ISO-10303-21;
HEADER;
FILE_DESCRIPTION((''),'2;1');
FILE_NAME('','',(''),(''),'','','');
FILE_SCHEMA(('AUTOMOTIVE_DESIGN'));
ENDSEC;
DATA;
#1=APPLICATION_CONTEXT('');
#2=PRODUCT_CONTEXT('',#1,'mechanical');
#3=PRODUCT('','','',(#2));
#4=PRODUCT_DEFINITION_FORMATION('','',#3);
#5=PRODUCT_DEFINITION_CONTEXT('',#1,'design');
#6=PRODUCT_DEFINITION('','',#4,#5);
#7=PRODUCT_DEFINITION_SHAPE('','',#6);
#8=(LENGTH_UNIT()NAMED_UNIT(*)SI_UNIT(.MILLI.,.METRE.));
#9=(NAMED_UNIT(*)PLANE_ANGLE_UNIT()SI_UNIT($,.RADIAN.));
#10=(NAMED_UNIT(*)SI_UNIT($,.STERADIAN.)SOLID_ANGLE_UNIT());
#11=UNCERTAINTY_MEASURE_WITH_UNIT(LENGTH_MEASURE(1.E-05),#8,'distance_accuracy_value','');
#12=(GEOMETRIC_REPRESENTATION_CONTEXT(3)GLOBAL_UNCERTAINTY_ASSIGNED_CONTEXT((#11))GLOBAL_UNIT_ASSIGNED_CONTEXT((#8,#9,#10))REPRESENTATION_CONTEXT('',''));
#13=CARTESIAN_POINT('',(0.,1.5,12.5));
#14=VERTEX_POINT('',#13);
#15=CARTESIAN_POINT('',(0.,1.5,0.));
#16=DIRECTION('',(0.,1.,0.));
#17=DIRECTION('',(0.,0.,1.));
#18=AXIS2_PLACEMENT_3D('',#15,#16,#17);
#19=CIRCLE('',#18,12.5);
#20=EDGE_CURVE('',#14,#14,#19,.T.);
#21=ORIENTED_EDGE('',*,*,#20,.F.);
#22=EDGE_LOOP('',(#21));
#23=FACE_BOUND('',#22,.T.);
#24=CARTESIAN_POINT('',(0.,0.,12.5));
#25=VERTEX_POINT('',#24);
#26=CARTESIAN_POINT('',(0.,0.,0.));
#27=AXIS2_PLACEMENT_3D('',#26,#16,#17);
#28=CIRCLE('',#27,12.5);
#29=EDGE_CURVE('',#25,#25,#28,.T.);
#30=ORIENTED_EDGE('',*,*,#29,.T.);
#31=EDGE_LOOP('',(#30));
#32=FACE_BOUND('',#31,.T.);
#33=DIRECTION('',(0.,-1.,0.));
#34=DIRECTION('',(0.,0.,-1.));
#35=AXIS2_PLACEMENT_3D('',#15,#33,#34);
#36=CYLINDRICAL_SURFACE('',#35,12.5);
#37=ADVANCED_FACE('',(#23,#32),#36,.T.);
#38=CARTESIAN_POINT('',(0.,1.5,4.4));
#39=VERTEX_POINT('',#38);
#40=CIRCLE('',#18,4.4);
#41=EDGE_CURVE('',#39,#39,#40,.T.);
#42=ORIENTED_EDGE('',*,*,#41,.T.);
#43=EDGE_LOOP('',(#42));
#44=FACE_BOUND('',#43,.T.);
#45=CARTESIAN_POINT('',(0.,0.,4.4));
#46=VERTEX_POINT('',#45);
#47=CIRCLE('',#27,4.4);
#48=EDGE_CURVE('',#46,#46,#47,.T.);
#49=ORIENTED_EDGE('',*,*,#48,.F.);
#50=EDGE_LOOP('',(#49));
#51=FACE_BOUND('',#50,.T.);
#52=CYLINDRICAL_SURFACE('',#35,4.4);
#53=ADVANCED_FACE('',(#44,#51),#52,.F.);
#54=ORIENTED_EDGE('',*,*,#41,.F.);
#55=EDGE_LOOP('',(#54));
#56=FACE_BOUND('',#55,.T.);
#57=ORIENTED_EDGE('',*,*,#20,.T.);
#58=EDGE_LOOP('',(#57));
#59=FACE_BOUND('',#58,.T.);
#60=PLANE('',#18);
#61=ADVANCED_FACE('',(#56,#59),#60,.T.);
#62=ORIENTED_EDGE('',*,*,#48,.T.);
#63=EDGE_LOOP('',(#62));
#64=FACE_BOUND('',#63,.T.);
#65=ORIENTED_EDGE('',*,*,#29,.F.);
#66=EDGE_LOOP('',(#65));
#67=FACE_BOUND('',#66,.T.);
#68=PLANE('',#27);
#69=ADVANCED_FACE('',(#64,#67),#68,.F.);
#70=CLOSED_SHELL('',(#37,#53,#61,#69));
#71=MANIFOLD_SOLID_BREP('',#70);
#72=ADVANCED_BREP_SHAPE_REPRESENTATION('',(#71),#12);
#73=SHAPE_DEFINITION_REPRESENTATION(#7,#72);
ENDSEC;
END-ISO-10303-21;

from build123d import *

# Parameters (mm, degrees)
SKETCH1_R           = 12.5
SKETCH1_R_2         = 4.4
BOSS_EXTRUDE1_DEPTH = 1.5


with BuildPart() as part:
    # Sketch1 → Boss-Extrude1 (new body)
    with BuildSketch(Plane(origin=(0, 0, 0), x_dir=(1, 0, 0), z_dir=(0, 1, 0))):
        with Locations(Location((0, 0, 0), (0, 0, 270))):
            Circle(SKETCH1_R)
        with Locations(Location((0, 0, 0), (0, 0, 270))):
            Circle(SKETCH1_R_2, mode=Mode.SUBTRACT)
    extrude(amount=BOSS_EXTRUDE1_DEPTH)


solid = part.part
